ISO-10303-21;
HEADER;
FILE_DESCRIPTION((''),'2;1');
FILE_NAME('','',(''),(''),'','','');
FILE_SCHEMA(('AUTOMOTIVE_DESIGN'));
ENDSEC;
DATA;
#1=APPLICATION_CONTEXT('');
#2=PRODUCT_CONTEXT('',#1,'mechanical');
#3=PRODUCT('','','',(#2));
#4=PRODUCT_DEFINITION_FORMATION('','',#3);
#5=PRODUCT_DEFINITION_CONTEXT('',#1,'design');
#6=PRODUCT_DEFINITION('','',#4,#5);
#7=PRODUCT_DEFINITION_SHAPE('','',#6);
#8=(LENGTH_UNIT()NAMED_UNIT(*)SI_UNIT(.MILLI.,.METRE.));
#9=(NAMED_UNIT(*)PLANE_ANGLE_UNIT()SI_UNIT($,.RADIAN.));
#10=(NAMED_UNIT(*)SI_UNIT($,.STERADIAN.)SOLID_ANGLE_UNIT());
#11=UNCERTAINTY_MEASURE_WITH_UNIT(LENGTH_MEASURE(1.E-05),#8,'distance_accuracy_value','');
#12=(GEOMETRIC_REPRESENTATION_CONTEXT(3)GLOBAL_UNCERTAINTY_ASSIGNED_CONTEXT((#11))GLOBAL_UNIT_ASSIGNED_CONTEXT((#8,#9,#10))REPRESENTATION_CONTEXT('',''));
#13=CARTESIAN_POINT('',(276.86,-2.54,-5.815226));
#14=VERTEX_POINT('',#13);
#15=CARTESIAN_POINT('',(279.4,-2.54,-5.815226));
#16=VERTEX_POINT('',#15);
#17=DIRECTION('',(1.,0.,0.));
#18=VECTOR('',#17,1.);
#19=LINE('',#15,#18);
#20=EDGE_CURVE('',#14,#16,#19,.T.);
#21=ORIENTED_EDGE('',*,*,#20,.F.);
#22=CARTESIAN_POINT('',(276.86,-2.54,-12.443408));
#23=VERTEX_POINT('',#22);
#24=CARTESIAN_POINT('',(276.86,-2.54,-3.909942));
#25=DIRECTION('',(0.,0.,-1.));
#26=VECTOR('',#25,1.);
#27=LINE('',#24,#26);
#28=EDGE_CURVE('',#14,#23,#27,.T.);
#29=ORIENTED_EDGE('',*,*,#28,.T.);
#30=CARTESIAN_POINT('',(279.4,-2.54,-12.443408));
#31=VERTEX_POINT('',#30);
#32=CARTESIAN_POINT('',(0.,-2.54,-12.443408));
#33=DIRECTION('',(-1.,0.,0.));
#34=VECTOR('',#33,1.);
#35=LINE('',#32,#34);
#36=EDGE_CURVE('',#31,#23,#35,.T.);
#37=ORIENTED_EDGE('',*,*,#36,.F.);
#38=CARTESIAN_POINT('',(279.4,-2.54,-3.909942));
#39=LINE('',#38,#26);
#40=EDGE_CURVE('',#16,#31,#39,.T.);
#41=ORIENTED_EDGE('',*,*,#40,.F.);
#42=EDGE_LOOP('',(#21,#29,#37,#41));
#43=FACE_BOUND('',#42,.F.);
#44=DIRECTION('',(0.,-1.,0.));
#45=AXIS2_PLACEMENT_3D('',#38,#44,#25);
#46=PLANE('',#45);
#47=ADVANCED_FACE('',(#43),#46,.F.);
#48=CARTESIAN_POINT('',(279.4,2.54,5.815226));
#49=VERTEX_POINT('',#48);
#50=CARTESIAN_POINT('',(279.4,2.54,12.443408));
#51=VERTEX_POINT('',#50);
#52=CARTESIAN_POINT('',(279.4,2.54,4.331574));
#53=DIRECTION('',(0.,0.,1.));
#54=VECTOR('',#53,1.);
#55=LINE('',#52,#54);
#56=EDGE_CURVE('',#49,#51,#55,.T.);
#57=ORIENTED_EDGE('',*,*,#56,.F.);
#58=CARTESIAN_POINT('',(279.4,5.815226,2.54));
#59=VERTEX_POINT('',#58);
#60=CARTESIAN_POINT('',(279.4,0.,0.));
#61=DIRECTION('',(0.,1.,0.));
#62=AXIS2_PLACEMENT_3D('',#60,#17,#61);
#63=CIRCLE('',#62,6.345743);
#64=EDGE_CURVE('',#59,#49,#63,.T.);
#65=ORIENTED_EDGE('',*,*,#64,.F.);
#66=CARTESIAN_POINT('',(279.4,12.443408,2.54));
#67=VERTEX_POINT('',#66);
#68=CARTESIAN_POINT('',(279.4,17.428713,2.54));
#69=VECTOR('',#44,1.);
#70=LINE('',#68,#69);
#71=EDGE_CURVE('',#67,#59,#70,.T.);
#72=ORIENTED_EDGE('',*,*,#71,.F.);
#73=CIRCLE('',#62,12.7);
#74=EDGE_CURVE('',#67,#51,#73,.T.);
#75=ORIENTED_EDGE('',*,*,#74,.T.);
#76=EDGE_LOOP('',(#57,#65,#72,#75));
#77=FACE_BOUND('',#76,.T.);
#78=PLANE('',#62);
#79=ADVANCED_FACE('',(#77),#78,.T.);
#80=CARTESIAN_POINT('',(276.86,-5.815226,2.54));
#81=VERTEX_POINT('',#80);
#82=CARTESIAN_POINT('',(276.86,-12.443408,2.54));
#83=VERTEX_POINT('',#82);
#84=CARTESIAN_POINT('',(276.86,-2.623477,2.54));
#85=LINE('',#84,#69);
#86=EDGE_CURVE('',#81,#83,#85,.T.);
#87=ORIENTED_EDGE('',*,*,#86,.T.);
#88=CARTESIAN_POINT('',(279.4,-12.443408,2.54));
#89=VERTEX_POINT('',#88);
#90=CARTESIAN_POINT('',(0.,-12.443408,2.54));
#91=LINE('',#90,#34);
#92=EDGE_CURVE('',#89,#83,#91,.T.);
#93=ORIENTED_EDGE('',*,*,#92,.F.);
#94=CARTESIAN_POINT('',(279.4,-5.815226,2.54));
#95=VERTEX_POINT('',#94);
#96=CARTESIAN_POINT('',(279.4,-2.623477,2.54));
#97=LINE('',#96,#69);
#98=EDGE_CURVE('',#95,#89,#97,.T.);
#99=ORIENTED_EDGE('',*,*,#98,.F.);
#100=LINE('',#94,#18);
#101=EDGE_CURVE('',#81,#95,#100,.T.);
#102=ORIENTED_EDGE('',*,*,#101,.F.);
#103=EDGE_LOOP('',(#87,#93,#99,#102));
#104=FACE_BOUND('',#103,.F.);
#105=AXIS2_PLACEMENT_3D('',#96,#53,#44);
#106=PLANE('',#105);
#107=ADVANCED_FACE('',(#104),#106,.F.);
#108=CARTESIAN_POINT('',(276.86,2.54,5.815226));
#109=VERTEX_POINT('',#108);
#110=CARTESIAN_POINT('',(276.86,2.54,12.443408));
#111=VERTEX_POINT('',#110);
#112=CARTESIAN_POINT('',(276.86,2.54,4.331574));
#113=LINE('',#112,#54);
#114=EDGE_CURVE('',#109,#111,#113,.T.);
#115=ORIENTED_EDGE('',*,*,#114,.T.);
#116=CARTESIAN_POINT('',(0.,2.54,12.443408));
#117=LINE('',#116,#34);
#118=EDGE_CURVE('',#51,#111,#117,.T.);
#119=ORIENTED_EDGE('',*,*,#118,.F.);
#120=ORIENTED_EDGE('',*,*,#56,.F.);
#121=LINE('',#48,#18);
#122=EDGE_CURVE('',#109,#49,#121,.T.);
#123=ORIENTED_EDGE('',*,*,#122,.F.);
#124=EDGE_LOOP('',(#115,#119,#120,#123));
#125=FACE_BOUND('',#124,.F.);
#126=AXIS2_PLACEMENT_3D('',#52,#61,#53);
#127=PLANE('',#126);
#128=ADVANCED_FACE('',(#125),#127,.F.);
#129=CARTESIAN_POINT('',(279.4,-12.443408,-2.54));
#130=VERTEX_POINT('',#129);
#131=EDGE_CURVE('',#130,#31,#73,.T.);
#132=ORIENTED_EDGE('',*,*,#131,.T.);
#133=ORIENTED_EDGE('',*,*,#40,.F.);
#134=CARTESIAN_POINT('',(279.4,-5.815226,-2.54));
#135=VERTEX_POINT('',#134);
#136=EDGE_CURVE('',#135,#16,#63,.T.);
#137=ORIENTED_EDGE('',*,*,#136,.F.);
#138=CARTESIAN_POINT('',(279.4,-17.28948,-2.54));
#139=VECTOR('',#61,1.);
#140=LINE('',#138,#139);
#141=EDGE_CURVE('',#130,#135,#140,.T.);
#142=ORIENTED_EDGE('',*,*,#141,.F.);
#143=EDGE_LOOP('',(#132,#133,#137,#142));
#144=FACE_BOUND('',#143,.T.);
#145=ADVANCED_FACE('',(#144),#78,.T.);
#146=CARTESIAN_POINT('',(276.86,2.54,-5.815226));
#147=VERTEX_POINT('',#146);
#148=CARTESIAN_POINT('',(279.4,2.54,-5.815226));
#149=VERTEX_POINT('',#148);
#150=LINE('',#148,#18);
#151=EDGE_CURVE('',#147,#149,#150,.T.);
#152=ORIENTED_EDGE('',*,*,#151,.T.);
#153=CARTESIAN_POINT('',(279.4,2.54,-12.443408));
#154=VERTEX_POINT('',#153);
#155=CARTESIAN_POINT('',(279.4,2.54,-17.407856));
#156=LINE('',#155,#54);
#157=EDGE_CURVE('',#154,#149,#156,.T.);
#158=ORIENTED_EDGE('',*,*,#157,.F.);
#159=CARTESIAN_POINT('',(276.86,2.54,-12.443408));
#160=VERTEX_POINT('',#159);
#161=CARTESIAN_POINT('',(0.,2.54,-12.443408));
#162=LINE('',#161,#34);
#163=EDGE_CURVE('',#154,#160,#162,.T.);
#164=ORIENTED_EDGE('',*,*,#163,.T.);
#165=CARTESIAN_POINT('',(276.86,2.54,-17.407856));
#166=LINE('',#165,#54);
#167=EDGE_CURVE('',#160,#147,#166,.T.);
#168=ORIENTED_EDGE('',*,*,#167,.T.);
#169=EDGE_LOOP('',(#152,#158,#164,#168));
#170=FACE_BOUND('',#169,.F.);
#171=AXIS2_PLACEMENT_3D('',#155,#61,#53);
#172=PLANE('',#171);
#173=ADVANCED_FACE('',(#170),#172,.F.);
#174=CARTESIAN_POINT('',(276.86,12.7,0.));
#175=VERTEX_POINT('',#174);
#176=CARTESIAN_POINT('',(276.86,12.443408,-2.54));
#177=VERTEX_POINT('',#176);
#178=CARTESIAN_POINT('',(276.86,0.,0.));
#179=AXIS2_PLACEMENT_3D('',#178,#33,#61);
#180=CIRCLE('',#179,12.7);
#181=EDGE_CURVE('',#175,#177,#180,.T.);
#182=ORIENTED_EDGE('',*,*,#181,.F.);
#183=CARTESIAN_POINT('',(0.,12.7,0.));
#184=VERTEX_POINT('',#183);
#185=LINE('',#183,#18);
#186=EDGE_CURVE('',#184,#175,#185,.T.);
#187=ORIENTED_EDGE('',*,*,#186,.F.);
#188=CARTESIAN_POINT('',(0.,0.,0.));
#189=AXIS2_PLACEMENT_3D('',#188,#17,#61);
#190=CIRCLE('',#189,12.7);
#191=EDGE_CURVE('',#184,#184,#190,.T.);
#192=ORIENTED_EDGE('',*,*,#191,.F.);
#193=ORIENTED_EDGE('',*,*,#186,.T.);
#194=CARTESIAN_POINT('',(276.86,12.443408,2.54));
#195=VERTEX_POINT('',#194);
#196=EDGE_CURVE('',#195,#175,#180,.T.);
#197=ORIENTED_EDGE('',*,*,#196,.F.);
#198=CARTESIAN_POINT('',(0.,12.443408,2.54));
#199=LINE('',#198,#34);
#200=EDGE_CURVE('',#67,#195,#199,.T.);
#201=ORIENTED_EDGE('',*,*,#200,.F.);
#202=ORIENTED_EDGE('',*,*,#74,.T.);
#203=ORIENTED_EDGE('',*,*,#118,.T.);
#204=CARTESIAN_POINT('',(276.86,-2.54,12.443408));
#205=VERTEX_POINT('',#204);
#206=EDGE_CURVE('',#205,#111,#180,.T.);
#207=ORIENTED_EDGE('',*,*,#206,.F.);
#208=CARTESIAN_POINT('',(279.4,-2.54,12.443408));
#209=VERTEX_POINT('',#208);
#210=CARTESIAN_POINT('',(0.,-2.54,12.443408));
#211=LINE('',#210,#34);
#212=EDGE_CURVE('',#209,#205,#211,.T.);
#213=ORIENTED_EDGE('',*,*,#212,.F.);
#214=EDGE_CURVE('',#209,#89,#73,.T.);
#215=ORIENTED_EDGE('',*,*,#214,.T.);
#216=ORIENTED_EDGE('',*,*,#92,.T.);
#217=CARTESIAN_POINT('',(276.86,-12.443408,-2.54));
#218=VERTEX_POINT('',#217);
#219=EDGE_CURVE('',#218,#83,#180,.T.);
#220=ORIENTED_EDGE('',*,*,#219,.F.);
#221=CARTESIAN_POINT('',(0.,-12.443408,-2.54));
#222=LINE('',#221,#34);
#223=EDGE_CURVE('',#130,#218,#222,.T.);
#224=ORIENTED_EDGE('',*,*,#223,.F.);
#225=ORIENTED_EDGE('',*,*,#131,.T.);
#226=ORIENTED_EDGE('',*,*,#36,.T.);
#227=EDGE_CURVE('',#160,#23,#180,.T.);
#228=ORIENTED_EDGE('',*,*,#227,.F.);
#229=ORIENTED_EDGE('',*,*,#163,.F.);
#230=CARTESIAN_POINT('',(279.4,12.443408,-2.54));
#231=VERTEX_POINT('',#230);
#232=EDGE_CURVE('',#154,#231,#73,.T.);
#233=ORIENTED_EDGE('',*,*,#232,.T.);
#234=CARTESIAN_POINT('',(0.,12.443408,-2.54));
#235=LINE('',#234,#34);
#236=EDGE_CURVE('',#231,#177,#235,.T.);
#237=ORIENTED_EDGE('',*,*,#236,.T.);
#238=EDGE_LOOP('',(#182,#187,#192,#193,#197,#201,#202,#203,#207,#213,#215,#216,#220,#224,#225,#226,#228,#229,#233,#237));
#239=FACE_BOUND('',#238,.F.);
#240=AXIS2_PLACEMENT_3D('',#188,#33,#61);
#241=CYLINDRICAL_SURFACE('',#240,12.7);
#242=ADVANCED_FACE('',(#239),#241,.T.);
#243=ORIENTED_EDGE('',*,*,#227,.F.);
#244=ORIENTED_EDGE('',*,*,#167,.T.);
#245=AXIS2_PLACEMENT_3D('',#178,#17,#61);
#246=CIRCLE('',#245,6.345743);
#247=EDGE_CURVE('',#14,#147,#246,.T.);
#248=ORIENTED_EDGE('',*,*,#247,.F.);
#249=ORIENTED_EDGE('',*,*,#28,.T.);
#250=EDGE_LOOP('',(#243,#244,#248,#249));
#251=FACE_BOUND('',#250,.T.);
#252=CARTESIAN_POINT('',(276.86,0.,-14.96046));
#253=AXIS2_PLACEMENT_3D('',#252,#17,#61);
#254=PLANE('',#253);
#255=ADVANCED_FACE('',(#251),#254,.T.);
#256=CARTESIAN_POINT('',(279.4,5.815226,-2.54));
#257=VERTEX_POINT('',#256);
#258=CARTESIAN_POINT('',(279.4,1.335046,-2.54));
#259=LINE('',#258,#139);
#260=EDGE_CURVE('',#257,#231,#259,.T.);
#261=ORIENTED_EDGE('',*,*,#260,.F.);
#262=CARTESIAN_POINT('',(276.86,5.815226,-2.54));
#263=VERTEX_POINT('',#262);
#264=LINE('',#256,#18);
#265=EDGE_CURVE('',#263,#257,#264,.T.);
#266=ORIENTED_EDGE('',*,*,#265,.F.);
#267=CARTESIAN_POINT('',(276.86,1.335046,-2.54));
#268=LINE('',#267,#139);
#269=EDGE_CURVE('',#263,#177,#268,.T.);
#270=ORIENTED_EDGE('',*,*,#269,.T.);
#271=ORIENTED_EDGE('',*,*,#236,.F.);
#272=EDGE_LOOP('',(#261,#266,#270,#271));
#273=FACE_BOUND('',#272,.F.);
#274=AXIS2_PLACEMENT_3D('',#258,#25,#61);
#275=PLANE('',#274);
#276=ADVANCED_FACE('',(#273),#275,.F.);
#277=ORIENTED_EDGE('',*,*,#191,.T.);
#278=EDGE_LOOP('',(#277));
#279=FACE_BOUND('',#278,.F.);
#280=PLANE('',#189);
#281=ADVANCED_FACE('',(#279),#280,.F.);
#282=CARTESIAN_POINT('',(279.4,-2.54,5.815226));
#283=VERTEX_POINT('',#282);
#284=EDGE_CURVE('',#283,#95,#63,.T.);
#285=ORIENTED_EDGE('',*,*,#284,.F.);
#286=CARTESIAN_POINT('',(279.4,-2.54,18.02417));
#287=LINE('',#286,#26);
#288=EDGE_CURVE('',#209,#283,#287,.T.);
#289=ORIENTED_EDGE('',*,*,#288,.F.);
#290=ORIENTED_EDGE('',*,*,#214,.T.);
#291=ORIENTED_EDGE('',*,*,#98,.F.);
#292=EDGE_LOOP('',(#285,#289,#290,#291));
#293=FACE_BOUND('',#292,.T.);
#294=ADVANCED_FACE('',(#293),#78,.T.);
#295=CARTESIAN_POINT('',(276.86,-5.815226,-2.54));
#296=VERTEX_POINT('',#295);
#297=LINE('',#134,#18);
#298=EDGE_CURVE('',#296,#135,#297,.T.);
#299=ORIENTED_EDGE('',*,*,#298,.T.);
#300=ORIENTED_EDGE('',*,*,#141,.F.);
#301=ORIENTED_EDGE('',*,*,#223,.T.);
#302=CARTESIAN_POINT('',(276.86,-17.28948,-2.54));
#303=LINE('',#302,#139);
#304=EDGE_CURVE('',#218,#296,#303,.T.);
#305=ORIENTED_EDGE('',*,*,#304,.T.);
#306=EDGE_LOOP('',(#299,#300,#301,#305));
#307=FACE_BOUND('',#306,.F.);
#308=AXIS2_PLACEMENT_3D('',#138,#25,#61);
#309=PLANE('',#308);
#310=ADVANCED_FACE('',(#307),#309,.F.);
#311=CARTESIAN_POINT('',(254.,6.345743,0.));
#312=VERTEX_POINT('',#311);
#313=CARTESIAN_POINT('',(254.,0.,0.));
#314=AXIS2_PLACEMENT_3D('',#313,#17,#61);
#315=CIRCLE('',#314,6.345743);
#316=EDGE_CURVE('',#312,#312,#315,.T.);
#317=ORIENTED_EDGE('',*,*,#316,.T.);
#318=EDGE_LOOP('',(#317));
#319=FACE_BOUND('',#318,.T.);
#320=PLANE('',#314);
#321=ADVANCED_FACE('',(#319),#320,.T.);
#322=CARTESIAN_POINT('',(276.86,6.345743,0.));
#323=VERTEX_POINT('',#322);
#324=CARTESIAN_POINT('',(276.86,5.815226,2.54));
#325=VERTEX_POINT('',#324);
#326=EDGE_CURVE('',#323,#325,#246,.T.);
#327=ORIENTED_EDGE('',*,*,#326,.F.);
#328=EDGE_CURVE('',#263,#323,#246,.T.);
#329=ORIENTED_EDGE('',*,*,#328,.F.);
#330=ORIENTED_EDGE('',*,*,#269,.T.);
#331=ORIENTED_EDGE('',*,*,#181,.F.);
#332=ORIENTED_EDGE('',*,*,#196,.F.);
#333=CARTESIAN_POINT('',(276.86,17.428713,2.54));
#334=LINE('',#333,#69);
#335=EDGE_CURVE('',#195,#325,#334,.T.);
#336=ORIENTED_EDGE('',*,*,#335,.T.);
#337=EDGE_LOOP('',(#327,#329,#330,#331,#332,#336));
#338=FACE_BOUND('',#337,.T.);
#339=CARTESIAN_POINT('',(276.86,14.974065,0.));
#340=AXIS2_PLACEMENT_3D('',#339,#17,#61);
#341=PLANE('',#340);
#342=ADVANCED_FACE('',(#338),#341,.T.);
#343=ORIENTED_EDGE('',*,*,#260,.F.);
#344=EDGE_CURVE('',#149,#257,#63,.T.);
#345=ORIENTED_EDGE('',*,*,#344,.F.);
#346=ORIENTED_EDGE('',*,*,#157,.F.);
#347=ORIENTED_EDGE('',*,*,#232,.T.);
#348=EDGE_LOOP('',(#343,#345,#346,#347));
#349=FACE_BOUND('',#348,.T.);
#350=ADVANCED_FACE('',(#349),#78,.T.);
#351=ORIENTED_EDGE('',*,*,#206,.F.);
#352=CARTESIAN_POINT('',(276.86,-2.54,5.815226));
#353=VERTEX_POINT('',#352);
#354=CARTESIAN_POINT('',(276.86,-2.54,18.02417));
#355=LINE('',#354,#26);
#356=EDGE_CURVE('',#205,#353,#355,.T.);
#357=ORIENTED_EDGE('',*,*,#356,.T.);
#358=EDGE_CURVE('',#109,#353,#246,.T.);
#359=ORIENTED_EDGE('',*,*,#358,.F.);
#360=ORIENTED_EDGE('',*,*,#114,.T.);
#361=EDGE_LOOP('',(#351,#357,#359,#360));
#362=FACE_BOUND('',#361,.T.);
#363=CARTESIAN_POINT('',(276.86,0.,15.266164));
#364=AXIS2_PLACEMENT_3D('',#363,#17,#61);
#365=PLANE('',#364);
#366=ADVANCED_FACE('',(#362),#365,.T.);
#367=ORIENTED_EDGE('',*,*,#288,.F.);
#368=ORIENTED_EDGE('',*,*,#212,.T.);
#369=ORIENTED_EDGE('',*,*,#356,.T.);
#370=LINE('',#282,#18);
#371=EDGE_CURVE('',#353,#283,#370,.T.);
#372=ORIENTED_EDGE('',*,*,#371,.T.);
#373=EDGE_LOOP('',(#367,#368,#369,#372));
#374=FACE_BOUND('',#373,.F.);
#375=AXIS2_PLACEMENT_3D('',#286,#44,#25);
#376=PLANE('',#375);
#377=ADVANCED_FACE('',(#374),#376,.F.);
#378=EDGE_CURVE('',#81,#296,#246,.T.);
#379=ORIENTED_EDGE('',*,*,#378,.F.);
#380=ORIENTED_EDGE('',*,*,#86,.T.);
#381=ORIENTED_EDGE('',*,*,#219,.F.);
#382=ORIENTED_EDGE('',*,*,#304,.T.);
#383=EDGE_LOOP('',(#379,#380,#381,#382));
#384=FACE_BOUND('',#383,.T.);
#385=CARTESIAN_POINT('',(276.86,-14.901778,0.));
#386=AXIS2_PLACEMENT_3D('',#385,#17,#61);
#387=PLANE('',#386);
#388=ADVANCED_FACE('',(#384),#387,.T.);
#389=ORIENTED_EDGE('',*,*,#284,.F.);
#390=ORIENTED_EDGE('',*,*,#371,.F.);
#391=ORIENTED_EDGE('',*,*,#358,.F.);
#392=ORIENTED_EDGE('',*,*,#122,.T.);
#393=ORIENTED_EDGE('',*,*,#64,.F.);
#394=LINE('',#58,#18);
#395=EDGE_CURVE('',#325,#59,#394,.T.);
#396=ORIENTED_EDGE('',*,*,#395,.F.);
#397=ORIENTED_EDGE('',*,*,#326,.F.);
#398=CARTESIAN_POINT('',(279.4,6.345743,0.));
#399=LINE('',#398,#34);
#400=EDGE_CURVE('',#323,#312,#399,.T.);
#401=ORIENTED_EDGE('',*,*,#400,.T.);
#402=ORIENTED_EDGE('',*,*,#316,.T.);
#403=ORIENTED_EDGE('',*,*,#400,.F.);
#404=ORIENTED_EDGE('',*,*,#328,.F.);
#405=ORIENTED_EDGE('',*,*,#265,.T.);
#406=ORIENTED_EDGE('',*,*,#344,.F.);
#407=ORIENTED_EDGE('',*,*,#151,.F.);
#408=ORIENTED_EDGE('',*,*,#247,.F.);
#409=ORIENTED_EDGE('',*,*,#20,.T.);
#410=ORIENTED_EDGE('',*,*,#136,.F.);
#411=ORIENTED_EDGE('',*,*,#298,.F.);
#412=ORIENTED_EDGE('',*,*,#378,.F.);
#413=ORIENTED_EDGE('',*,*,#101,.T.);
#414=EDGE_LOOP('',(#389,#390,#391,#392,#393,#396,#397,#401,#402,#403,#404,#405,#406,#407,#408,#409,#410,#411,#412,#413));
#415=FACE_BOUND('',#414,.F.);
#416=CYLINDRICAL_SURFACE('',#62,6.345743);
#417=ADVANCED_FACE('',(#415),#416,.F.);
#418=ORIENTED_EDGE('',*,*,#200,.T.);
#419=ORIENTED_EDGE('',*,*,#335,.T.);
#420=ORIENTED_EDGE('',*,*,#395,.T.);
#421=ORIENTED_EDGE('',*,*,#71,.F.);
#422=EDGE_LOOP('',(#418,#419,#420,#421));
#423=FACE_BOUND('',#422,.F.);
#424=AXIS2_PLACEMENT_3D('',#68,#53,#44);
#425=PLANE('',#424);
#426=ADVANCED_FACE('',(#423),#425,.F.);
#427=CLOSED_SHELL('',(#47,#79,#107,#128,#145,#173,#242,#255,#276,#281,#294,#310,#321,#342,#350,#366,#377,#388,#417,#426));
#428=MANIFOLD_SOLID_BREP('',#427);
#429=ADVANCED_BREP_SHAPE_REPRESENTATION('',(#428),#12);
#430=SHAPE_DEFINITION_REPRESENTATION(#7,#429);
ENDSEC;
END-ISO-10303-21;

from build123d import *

# Parameters (mm, degrees)
F0_R     = 12.7
F1_DEPTH = 279.4
F3_DEPTH = 2.54
F4_R     = 6.345743
F5_DEPTH = 25.4


with BuildPart() as f1:
    # F0 (on Right) → F1 (new body)
    with BuildSketch(Plane.YZ):
        Circle(F0_R)
    extrude(amount=F1_DEPTH)

    # F2 (on face) → F3 (cut)
    with BuildSketch(Plane.YZ.offset(279.4)):
        with BuildLine():
            Line((17.428713, 2.54), (12.443408, 2.54))
            ThreePointArc((12.443408, 2.54), (12.635689, 1.276464), (12.7, 0))
            ThreePointArc((12.7, 0), (12.635689, -1.276464), (12.443408, -2.54))
            Line((12.443408, -2.54), (17.428713, -2.54))
            Line((17.428713, -2.54), (17.428713, 2.54))
        make_face()
        with BuildLine():
            ThreePointArc((-2.54, 12.443408), (0, 12.7), (2.54, 12.443408))
            Line((2.54, 12.443408), (2.54, 18.02417))
            Line((2.54, 18.02417), (-2.54, 18.02417))
            Line((-2.54, 18.02417), (-2.54, 12.443408))
        make_face()
        with BuildLine():
            ThreePointArc((-12.443408, -2.54), (-12.7, 0), (-12.443408, 2.54))
            Line((-12.443408, 2.54), (-17.28948, 2.54))
            Line((-17.28948, 2.54), (-17.28948, -2.54))
            Line((-17.28948, -2.54), (-12.443408, -2.54))
        make_face()
        with BuildLine():
            Line((2.54, -17.407856), (2.54, -12.443408))
            ThreePointArc((2.54, -12.443408), (0, -12.7), (-2.54, -12.443408))
            Line((-2.54, -12.443408), (-2.54, -17.407856))
            Line((-2.54, -17.407856), (2.54, -17.407856))
        make_face()
        with BuildLine():
            Line((12.443408, 2.54), (1.335046, 2.54))
            Line((1.335046, 2.54), (1.335046, -2.54))
            Line((1.335046, -2.54), (12.443408, -2.54))
            ThreePointArc((12.443408, -2.54), (12.635689, -1.276464), (12.7, 0))
            ThreePointArc((12.7, 0), (12.635689, 1.276464), (12.443408, 2.54))
        make_face()
        with BuildLine():
            Line((-2.623477, 2.54), (-12.443408, 2.54))
            ThreePointArc((-12.443408, 2.54), (-12.7, 0), (-12.443408, -2.54))
            Line((-12.443408, -2.54), (-2.623477, -2.54))
            Line((-2.623477, -2.54), (-2.623477, 2.54))
        make_face()
        with BuildLine():
            ThreePointArc((-2.54, -12.443408), (0, -12.7), (2.54, -12.443408))
            Line((2.54, -12.443408), (2.54, -3.909942))
            Line((2.54, -3.909942), (-2.54, -3.909942))
            Line((-2.54, -3.909942), (-2.54, -12.443408))
        make_face()
        with BuildLine():
            Line((2.54, 4.331574), (2.54, 12.443408))
            ThreePointArc((2.54, 12.443408), (0, 12.7), (-2.54, 12.443408))
            Line((-2.54, 12.443408), (-2.54, 4.331574))
            Line((-2.54, 4.331574), (2.54, 4.331574))
        make_face()
    extrude(amount=-F3_DEPTH, mode=Mode.SUBTRACT)

    # F4 (on face) → F5 (cut)
    with BuildSketch(Plane.YZ.offset(279.4)):
        Circle(F4_R)
    extrude(amount=-F5_DEPTH, mode=Mode.SUBTRACT)


solid = f1.part
